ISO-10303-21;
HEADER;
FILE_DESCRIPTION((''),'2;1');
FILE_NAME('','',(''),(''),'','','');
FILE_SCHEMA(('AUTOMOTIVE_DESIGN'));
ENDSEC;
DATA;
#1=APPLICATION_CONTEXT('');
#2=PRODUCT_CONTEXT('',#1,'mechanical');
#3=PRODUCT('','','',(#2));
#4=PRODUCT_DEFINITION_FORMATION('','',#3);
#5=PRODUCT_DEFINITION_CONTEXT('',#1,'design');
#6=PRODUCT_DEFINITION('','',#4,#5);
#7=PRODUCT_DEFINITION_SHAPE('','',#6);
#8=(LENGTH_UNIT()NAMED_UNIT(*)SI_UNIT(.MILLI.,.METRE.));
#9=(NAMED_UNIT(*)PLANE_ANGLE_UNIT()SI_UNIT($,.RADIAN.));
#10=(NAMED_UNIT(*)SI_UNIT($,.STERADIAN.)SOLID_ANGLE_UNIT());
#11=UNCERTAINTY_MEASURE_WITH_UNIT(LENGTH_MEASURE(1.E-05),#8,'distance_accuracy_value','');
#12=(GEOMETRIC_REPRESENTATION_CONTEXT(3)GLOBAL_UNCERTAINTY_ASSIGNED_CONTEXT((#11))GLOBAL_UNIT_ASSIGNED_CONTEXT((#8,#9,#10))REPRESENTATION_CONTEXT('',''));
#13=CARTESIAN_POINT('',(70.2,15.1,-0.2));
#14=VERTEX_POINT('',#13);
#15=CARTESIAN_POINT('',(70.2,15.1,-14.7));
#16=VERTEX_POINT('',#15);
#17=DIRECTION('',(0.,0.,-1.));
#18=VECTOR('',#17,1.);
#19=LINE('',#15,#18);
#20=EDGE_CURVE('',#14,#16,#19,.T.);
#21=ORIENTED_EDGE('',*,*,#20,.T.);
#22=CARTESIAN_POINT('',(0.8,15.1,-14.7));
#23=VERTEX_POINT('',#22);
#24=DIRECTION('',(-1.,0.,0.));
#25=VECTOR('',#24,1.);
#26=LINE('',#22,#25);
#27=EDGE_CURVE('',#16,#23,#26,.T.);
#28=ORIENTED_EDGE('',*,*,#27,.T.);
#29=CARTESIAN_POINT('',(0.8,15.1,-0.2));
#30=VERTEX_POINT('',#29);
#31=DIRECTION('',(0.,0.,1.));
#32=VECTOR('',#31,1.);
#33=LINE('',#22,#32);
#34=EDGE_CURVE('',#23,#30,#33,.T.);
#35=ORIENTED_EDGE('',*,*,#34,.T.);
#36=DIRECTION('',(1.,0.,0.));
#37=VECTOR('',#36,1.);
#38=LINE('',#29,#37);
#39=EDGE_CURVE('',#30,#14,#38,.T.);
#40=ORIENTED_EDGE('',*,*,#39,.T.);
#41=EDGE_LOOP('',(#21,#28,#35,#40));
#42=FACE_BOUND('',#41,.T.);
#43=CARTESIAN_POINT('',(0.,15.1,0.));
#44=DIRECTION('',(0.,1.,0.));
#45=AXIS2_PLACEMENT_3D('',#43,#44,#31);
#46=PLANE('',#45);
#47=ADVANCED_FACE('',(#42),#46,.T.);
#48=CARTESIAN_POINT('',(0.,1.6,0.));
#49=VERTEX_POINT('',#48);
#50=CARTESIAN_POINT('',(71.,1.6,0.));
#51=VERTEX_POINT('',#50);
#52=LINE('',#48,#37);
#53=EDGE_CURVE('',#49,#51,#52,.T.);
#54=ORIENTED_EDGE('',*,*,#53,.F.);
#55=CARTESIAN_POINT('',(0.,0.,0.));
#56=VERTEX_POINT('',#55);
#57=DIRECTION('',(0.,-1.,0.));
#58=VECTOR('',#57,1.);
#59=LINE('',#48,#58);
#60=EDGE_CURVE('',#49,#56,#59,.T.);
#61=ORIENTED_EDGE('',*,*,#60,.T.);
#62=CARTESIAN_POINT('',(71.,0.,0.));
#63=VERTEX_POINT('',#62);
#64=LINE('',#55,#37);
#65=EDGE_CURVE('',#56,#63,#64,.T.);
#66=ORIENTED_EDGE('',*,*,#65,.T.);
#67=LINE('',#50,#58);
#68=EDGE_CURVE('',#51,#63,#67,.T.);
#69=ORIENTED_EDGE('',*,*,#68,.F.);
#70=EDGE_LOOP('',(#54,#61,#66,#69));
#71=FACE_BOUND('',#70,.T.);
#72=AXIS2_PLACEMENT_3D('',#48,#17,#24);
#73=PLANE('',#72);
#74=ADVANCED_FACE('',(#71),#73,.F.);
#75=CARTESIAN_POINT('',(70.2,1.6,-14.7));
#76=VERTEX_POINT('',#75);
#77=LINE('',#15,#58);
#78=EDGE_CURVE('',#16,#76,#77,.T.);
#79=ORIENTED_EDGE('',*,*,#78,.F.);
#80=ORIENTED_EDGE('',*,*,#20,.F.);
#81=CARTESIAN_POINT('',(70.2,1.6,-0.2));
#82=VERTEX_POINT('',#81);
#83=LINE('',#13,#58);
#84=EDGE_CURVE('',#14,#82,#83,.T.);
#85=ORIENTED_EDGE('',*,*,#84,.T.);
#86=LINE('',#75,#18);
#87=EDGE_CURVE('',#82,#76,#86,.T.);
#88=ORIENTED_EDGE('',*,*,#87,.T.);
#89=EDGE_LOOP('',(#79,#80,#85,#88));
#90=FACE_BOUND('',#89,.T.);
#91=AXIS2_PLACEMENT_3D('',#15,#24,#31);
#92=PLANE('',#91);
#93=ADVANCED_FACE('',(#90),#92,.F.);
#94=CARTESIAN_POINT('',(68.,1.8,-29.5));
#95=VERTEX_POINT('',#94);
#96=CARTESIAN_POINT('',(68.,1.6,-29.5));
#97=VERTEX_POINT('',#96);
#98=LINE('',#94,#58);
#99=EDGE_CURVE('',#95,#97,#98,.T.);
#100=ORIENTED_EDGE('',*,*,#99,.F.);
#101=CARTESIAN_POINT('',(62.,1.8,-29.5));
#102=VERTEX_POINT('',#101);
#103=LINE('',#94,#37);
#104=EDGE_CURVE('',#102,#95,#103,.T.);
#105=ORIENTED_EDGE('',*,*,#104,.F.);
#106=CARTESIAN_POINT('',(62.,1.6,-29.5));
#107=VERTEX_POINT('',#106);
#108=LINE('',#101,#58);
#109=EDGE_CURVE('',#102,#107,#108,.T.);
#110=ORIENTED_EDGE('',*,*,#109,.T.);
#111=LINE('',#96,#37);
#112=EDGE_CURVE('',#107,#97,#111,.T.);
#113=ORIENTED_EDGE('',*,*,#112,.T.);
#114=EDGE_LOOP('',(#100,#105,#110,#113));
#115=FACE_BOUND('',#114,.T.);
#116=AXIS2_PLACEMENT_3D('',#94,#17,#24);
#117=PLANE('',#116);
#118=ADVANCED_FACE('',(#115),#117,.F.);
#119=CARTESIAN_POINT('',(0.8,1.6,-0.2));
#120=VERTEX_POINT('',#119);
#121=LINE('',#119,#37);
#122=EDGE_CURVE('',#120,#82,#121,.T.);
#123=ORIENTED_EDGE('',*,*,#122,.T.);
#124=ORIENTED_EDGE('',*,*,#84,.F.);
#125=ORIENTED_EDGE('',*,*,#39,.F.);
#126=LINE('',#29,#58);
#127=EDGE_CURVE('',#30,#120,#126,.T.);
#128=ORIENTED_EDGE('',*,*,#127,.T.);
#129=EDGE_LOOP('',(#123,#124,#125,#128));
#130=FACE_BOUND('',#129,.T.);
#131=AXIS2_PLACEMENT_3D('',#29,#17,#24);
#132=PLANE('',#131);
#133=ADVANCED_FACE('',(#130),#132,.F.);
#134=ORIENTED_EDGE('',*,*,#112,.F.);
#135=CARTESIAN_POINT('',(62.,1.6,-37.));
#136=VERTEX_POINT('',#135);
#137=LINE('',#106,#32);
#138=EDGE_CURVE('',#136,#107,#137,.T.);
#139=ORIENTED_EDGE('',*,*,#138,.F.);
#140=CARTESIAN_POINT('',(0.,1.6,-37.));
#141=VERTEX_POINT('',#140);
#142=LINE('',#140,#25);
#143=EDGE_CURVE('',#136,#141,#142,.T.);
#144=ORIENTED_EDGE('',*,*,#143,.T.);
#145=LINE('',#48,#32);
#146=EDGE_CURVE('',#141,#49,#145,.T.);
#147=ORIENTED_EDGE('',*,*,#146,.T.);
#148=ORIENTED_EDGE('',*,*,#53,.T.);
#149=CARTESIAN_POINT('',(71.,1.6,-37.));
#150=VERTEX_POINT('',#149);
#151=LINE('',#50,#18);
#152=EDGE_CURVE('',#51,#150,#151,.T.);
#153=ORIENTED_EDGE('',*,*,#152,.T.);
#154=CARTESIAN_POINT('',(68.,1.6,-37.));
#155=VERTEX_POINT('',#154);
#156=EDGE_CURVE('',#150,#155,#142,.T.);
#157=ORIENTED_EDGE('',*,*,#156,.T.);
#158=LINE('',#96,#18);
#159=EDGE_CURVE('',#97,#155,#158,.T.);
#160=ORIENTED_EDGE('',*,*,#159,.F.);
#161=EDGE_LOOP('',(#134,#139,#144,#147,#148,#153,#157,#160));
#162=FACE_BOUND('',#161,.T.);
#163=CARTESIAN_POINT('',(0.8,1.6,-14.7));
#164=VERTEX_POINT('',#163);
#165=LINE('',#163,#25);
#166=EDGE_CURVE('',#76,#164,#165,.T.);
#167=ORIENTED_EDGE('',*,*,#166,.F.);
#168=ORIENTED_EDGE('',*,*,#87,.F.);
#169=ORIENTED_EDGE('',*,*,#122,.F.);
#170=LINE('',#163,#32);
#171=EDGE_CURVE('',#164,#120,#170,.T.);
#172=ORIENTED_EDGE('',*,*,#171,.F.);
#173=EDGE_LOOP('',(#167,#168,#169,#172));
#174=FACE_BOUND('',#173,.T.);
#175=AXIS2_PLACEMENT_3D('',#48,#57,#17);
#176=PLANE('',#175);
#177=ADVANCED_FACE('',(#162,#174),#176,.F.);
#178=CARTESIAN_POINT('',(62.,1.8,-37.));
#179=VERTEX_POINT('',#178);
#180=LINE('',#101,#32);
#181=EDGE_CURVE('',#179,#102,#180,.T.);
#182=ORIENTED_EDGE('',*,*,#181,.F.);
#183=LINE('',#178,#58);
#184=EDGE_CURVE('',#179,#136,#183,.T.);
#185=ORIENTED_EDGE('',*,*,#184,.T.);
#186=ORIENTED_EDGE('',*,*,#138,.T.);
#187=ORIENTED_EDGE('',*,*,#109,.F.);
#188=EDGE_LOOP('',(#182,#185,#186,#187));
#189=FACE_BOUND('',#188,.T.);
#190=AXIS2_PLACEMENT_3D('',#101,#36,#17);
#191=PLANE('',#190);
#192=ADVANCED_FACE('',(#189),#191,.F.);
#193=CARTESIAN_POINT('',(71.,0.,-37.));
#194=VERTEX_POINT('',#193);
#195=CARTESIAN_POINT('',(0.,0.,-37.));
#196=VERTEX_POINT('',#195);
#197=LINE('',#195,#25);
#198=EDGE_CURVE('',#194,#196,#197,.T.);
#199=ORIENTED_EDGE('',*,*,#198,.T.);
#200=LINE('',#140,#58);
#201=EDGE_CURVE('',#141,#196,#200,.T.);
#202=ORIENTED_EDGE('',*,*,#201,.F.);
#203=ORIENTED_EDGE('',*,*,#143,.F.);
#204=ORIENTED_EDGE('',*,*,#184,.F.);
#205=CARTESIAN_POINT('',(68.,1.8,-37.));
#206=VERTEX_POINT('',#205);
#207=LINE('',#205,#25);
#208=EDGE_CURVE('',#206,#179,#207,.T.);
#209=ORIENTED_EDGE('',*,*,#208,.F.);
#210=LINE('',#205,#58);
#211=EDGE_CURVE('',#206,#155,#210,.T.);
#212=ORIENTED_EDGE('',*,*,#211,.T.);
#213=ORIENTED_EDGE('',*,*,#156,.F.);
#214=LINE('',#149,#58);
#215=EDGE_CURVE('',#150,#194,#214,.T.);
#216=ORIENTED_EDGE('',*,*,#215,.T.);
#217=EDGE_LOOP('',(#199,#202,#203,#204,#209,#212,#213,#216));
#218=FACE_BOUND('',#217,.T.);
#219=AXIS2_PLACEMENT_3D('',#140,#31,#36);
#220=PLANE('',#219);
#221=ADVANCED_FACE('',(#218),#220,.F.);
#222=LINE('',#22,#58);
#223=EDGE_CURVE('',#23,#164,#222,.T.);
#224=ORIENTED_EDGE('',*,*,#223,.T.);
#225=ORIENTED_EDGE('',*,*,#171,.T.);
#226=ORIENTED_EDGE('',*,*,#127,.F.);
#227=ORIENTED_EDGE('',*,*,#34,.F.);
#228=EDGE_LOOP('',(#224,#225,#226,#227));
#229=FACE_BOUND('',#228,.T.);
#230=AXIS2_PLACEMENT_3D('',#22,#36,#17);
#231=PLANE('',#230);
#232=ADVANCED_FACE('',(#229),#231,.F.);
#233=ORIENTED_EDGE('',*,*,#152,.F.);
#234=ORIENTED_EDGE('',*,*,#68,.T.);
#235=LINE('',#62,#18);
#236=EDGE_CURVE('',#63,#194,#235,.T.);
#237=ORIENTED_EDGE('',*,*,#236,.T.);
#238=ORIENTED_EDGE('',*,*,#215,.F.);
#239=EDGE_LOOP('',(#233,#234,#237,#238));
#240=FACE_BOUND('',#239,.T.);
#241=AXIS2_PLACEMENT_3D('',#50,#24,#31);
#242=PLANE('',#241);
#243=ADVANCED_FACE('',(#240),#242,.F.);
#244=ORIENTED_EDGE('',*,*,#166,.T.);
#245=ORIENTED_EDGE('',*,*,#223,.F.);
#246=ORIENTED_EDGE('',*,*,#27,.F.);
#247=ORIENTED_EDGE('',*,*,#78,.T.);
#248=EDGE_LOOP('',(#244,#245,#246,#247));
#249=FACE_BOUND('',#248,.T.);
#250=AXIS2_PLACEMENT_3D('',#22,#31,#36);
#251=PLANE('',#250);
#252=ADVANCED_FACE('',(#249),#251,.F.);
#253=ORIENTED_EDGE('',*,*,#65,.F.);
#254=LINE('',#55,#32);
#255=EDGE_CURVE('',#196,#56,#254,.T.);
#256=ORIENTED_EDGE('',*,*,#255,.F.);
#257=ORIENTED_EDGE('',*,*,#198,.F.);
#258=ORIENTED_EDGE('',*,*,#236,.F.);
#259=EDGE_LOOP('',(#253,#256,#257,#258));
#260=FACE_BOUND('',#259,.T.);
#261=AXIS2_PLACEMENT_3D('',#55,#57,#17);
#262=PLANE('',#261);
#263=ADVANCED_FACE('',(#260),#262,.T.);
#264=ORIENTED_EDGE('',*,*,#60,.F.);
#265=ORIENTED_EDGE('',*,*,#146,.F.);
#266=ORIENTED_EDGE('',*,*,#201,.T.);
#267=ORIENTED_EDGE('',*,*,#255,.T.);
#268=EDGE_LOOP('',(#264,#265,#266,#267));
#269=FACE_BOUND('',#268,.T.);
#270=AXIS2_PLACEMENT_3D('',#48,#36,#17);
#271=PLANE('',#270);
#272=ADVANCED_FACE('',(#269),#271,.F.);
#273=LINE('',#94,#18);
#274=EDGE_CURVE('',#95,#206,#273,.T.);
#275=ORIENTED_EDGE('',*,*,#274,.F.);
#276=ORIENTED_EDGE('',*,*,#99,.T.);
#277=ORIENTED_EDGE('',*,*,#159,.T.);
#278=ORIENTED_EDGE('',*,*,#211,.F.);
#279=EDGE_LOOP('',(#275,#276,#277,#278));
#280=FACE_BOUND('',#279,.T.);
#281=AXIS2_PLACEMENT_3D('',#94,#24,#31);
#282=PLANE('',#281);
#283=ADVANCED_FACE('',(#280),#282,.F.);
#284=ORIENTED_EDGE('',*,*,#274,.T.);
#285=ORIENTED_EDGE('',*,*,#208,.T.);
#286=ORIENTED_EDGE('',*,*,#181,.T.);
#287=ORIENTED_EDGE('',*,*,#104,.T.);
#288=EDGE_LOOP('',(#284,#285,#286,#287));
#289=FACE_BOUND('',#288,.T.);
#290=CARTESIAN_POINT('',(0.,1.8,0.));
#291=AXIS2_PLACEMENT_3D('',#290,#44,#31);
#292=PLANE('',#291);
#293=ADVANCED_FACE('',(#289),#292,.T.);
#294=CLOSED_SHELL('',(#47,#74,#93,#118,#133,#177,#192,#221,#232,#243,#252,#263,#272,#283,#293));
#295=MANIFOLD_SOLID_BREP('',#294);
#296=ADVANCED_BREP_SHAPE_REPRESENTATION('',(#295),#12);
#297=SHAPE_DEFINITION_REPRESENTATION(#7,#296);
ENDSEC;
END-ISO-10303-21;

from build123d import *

# Parameters (mm, degrees)
SKETCH1_W           = 71
SKETCH1_H           = 37
BOSS_EXTRUDE1_DEPTH = 1.6
SKETCH2_W           = 69.4
SKETCH2_H           = 14.5
BOSS_EXTRUDE2_DEPTH = 13.5
SKETCH3_W           = 6
SKETCH3_H           = 7.5
BOSS_EXTRUDE3_DEPTH = 0.2


with BuildPart() as part:
    # Sketch1 → Boss-Extrude1 (new body)
    with BuildSketch(Plane(origin=(0, 0, 0), x_dir=(1, 0, 0), z_dir=(0, 1, 0))):
        with Locations((35.5, 18.5)):
            Rectangle(SKETCH1_W, SKETCH1_H)
    extrude(amount=BOSS_EXTRUDE1_DEPTH)

    # Sketch2 → Boss-Extrude2 (add)
    with BuildSketch(Plane(origin=(0, 1.6, 0), x_dir=(1, 0, 0), z_dir=(0, 1, 0))):
        with Locations((35.5, 7.45)):
            Rectangle(SKETCH2_W, SKETCH2_H)
    extrude(amount=BOSS_EXTRUDE2_DEPTH)

    # Sketch3 → Boss-Extrude3 (add)
    with BuildSketch(Plane(origin=(0, 1.6, 0), x_dir=(1, 0, 0), z_dir=(0, 1, 0))):
        with Locations((65, 33.25)):
            Rectangle(SKETCH3_W, SKETCH3_H)
    extrude(amount=BOSS_EXTRUDE3_DEPTH)


solid = part.part
